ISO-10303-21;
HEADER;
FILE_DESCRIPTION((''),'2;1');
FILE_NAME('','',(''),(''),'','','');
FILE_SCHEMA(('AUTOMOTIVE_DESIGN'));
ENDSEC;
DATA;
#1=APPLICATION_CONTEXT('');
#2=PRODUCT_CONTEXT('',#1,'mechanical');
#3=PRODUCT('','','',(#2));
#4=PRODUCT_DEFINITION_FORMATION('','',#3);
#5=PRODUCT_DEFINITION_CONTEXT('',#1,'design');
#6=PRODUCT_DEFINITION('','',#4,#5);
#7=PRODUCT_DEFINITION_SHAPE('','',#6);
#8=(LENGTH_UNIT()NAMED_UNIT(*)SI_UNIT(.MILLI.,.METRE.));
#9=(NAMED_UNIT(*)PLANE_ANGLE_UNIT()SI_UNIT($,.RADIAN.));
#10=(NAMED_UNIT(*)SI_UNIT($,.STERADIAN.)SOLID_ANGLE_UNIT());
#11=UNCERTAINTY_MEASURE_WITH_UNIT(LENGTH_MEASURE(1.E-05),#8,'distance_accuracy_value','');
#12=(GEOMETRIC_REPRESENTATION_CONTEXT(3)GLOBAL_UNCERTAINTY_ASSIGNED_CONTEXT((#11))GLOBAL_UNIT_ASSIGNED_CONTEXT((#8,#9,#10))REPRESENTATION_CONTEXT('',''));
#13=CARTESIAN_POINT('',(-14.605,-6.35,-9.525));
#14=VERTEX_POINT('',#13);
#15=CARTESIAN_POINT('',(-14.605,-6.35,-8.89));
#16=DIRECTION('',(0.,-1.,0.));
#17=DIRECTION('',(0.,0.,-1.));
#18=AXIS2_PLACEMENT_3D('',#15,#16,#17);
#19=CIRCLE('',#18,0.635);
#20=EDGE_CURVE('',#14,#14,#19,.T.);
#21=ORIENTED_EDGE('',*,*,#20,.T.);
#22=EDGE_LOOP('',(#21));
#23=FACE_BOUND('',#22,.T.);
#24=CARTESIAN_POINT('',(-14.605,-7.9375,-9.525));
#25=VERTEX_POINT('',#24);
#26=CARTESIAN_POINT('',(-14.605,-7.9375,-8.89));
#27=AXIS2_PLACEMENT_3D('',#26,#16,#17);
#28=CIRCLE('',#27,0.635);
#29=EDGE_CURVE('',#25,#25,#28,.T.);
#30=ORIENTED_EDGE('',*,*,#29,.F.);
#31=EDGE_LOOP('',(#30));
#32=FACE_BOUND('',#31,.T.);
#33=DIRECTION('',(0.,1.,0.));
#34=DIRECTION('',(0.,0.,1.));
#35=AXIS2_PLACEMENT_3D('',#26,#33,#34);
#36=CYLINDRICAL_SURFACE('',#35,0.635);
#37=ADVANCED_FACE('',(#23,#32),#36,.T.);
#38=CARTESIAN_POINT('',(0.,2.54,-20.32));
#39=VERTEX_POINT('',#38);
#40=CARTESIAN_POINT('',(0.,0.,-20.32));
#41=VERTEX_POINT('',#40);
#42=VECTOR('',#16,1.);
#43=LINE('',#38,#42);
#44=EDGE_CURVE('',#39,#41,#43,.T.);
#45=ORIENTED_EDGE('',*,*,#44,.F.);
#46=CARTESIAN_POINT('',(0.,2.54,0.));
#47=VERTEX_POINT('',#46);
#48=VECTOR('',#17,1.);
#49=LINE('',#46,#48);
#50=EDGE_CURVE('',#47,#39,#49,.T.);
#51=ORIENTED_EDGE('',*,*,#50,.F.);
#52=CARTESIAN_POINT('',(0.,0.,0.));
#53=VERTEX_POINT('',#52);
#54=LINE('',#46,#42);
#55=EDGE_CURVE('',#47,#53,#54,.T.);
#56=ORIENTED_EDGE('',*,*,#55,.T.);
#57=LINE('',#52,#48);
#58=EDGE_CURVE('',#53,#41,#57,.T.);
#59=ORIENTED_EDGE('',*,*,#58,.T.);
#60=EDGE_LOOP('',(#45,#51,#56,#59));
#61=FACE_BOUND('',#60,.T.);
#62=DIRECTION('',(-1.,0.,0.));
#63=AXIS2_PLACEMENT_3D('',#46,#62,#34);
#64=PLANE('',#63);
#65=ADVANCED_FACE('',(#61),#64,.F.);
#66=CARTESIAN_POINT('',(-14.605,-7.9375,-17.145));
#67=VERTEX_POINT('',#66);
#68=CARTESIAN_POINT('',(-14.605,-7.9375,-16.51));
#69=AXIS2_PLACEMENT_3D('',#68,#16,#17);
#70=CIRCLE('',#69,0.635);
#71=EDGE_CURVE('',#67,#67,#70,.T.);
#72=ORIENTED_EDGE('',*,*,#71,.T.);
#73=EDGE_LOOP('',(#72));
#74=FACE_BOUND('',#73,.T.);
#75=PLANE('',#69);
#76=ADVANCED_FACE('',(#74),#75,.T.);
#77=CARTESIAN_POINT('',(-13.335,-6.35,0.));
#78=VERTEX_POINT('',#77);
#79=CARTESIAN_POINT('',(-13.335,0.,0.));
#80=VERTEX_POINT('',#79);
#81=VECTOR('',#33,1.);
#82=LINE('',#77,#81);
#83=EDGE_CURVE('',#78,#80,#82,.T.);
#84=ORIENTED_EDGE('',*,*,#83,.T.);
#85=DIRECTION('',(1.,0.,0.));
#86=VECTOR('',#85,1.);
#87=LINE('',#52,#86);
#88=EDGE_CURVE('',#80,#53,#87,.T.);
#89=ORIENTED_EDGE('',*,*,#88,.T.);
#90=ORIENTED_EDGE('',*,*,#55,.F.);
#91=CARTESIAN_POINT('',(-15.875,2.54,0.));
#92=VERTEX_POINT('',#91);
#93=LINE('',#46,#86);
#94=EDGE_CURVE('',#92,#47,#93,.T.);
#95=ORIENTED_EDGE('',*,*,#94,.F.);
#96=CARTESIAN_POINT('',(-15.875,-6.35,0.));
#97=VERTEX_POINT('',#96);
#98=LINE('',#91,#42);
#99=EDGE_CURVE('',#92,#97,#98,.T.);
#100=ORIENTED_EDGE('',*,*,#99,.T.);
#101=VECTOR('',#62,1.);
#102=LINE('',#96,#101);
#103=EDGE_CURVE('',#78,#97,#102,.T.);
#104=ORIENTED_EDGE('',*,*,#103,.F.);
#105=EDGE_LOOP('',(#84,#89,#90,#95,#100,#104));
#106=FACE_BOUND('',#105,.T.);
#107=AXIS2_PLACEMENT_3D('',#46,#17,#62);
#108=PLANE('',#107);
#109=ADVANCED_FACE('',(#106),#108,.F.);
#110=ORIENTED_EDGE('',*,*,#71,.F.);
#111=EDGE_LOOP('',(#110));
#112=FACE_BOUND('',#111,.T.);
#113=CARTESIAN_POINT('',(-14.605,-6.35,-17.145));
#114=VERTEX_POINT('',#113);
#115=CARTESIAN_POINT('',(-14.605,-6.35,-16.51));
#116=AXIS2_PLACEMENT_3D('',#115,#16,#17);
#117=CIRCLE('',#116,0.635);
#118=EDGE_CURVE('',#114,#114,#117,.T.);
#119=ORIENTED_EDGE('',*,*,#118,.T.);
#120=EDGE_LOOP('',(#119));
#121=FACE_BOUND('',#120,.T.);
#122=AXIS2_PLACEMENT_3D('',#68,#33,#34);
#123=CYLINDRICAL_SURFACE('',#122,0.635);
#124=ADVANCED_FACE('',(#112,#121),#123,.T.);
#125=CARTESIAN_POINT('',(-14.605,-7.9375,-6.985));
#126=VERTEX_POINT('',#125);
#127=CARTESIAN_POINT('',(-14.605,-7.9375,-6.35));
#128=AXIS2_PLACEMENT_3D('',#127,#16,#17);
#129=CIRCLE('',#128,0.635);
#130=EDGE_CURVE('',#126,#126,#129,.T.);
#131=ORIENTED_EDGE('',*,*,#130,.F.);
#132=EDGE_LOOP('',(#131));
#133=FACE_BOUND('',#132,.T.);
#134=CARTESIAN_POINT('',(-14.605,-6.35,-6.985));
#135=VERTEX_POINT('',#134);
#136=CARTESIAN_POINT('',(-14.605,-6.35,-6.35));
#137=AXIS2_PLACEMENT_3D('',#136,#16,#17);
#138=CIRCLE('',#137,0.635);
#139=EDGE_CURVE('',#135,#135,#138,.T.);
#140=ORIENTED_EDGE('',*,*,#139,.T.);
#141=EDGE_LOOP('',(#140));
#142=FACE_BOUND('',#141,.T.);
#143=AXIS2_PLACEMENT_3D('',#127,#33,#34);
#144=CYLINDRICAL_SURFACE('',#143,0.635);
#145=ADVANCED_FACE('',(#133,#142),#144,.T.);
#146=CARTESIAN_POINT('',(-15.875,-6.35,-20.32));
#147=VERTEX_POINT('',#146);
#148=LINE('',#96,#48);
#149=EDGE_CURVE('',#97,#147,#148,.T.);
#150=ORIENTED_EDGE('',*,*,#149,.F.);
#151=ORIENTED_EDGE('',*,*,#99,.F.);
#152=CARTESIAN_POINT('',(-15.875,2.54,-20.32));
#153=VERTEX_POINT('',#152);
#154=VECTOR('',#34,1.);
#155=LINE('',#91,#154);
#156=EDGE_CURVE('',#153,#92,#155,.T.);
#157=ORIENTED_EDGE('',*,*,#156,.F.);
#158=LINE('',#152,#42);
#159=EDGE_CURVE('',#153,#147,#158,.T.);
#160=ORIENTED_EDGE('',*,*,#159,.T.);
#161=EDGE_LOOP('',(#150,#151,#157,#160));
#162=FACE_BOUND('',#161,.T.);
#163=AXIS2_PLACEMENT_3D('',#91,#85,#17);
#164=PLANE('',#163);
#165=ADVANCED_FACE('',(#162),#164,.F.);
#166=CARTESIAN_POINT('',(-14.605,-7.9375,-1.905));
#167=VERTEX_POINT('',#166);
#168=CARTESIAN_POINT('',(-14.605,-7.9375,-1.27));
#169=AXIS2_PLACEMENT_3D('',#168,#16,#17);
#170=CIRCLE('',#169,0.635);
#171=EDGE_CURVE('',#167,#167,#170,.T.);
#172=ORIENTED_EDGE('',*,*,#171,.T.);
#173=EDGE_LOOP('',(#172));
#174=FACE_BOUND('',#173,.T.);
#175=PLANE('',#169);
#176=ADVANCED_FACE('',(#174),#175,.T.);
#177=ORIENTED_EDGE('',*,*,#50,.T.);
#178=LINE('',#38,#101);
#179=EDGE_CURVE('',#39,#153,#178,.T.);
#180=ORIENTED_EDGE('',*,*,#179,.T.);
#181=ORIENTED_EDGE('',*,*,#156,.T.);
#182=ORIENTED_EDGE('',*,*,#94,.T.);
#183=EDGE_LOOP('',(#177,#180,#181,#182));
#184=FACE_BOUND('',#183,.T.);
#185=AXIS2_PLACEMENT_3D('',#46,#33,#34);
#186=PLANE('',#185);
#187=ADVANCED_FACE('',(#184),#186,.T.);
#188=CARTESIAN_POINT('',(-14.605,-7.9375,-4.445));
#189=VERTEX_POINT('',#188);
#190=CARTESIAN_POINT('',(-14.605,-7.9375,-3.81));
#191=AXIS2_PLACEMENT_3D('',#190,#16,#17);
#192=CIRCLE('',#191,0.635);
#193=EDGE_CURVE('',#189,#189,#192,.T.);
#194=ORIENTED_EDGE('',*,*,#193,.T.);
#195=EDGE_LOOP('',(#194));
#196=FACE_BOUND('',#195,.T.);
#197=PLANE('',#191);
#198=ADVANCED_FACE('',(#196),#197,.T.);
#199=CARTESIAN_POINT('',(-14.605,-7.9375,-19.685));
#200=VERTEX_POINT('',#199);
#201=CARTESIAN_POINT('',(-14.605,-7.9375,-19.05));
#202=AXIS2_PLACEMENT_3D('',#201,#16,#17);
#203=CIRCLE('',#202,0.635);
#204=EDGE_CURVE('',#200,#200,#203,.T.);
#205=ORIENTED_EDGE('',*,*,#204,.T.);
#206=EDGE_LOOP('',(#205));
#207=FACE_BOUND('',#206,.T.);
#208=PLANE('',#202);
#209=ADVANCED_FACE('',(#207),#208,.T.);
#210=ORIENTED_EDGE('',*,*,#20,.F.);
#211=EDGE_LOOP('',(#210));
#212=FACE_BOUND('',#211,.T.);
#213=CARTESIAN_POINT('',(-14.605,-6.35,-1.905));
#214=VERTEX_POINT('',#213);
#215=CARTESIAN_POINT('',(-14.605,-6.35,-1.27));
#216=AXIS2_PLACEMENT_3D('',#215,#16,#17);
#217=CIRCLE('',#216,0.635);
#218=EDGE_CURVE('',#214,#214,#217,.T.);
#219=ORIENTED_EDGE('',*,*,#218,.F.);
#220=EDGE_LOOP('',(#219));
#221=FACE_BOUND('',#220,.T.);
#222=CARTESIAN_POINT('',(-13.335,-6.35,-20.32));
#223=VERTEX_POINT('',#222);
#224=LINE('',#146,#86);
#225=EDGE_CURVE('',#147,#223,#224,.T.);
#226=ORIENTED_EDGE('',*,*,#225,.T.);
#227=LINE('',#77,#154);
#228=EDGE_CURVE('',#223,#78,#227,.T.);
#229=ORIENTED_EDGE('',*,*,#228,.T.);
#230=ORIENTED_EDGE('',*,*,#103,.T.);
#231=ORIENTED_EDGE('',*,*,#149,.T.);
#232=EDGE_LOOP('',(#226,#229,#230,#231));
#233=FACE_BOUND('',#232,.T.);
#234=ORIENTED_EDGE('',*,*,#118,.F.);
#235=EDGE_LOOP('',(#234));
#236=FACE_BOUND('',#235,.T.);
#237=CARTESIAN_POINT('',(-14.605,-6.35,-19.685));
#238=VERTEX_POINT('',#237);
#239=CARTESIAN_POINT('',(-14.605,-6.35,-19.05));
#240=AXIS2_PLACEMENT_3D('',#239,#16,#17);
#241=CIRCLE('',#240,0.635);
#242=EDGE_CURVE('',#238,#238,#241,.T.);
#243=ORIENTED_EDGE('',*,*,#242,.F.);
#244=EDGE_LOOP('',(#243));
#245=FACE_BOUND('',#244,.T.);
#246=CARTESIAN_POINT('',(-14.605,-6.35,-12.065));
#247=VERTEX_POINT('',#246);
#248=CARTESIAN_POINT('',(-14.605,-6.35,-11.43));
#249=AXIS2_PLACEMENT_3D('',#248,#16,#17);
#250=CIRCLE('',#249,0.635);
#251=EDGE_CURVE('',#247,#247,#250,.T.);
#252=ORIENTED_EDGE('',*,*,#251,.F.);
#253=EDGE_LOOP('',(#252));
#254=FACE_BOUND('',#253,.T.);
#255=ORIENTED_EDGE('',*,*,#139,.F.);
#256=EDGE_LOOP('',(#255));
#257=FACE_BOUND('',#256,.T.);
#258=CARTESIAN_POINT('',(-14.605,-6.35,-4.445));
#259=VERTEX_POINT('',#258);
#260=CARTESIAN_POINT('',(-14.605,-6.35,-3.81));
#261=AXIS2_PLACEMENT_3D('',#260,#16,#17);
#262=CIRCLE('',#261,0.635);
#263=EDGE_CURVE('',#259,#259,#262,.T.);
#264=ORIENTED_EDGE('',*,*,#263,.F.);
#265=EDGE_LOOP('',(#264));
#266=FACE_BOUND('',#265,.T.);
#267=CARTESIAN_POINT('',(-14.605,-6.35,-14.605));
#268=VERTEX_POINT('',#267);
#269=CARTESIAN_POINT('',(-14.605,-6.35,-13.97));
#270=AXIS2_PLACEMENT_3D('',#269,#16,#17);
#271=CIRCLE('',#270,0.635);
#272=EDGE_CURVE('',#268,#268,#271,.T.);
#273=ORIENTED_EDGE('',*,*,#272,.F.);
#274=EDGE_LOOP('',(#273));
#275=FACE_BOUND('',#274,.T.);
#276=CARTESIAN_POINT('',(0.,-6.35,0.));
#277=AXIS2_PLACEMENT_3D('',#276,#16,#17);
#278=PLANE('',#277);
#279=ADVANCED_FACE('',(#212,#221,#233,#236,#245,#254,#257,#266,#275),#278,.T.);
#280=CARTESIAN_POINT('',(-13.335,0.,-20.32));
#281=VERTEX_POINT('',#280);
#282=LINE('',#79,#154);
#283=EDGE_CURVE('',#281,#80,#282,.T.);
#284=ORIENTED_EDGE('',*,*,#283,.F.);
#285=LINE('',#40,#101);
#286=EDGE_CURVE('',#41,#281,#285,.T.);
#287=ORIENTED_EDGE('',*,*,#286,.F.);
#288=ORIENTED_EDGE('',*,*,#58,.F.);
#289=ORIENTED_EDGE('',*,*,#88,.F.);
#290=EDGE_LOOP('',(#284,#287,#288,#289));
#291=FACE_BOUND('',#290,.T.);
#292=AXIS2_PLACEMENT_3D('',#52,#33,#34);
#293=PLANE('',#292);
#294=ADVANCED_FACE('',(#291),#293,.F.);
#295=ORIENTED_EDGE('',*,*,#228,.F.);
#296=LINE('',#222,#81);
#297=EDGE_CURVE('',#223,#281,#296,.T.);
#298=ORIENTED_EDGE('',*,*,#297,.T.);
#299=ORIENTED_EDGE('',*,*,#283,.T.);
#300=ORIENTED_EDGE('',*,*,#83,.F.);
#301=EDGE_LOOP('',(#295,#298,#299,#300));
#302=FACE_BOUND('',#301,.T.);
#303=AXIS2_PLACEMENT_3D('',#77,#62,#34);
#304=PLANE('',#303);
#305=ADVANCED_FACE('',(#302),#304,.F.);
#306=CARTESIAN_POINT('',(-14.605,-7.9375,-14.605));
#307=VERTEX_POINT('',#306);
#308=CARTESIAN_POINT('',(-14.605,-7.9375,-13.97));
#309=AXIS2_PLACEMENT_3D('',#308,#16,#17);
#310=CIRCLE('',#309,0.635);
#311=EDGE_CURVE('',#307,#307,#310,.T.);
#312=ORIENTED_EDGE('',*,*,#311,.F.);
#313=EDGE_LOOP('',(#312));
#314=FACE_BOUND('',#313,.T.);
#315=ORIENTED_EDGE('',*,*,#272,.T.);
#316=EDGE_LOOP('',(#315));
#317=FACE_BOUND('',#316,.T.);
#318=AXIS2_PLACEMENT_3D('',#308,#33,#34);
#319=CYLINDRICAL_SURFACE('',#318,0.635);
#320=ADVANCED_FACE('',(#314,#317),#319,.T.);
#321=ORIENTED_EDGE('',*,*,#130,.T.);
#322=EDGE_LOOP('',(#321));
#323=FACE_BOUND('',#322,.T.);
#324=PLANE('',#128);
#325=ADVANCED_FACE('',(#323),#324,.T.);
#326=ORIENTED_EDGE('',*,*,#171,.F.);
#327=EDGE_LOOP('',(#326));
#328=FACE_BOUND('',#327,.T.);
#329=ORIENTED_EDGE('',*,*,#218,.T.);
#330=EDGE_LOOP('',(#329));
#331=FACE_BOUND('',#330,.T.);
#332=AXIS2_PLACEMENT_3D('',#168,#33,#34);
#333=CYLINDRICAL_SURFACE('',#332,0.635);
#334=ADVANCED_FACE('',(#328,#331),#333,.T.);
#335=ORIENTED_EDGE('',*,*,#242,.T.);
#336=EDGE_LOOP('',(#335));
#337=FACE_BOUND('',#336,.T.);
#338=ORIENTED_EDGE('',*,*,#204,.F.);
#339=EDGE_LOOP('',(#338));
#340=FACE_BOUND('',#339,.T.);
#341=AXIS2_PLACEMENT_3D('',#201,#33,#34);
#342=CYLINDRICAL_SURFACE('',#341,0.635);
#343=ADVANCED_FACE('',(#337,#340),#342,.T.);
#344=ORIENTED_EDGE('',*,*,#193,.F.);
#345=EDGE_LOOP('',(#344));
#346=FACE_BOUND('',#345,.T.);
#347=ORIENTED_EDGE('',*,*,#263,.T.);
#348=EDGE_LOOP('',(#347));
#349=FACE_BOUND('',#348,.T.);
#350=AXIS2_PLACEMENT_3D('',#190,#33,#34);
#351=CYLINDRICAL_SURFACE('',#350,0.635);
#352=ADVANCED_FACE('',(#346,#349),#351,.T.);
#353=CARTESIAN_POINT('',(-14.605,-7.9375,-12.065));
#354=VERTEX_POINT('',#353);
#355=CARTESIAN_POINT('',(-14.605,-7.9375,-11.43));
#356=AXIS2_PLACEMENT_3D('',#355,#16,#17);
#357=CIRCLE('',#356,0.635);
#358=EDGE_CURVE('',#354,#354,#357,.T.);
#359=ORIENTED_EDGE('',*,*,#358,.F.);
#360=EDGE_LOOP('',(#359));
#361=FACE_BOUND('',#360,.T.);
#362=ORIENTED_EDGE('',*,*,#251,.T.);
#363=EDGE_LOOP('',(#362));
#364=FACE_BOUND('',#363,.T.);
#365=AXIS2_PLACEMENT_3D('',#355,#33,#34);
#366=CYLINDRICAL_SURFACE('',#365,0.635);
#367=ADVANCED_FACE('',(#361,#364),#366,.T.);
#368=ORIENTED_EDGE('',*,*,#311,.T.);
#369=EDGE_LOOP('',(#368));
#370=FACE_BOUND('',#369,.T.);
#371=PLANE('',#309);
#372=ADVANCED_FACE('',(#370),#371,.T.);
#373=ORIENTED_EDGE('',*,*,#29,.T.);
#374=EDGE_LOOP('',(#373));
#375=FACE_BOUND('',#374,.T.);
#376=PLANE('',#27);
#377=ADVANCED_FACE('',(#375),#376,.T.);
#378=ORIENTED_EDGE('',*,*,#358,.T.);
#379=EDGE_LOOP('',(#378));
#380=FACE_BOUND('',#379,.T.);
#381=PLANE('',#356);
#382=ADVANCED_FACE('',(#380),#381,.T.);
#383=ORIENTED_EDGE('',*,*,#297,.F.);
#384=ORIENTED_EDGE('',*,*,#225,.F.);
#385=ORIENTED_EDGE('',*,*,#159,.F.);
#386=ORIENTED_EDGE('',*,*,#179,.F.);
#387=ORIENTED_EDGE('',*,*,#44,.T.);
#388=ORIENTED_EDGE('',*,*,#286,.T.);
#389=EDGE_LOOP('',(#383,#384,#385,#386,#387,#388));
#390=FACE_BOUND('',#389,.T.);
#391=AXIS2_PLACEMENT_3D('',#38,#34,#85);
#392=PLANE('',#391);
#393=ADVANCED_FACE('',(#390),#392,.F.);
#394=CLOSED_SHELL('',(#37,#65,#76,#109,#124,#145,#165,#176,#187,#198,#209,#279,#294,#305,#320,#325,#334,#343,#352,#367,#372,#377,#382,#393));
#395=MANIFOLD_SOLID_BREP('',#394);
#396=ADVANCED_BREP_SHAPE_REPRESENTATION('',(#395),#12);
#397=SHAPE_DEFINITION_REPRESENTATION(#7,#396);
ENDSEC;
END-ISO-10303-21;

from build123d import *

# Parameters (mm, degrees)
SKETCH1_W           = 15.875
SKETCH1_H           = 20.32
BOSS_EXTRUDE1_DEPTH = 2.54
SKETCH2_W           = 2.54
SKETCH2_H           = 20.32
BOSS_EXTRUDE2_DEPTH = 6.35
SKETCH3_R           = 0.635
BOSS_EXTRUDE3_DEPTH = 1.5875


with BuildPart() as part:
    # Sketch1 → Boss-Extrude1 (new body)
    with BuildSketch(Plane(origin=(0, 0, 0), x_dir=(1, 0, 0), z_dir=(0, 1, 0))):
        with Locations((-7.9375, 10.16)):
            Rectangle(SKETCH1_W, SKETCH1_H)
    extrude(amount=BOSS_EXTRUDE1_DEPTH)

    # Sketch2 → Boss-Extrude2 (add)
    with BuildSketch(Plane.XZ):
        with Locations((-14.605, -10.16)):
            Rectangle(SKETCH2_W, SKETCH2_H)
    extrude(amount=BOSS_EXTRUDE2_DEPTH)

    # Sketch3 → Boss-Extrude3 (add)
    with BuildSketch(Plane.XZ.offset(6.35)):
        with Locations(Location((-14.605, -1.27, 0), (0, 0, 270))):
            Circle(SKETCH3_R)
        with Locations(Location((-14.605, -3.81, 0), (0, 0, 270))):
            Circle(SKETCH3_R)
        with Locations(Location((-14.605, -6.35, 0), (0, 0, 270))):
            Circle(SKETCH3_R)
        with Locations(Location((-14.605, -8.89, 0), (0, 0, 270))):
            Circle(SKETCH3_R)
        with Locations(Location((-14.605, -11.43, 0), (0, 0, 270))):
            Circle(SKETCH3_R)
        with Locations(Location((-14.605, -13.97, 0), (0, 0, 270))):
            Circle(SKETCH3_R)
        with Locations(Location((-14.605, -16.51, 0), (0, 0, 270))):
            Circle(SKETCH3_R)
        with Locations(Location((-14.605, -19.05, 0), (0, 0, 270))):
            Circle(SKETCH3_R)
    extrude(amount=BOSS_EXTRUDE3_DEPTH)


solid = part.part
